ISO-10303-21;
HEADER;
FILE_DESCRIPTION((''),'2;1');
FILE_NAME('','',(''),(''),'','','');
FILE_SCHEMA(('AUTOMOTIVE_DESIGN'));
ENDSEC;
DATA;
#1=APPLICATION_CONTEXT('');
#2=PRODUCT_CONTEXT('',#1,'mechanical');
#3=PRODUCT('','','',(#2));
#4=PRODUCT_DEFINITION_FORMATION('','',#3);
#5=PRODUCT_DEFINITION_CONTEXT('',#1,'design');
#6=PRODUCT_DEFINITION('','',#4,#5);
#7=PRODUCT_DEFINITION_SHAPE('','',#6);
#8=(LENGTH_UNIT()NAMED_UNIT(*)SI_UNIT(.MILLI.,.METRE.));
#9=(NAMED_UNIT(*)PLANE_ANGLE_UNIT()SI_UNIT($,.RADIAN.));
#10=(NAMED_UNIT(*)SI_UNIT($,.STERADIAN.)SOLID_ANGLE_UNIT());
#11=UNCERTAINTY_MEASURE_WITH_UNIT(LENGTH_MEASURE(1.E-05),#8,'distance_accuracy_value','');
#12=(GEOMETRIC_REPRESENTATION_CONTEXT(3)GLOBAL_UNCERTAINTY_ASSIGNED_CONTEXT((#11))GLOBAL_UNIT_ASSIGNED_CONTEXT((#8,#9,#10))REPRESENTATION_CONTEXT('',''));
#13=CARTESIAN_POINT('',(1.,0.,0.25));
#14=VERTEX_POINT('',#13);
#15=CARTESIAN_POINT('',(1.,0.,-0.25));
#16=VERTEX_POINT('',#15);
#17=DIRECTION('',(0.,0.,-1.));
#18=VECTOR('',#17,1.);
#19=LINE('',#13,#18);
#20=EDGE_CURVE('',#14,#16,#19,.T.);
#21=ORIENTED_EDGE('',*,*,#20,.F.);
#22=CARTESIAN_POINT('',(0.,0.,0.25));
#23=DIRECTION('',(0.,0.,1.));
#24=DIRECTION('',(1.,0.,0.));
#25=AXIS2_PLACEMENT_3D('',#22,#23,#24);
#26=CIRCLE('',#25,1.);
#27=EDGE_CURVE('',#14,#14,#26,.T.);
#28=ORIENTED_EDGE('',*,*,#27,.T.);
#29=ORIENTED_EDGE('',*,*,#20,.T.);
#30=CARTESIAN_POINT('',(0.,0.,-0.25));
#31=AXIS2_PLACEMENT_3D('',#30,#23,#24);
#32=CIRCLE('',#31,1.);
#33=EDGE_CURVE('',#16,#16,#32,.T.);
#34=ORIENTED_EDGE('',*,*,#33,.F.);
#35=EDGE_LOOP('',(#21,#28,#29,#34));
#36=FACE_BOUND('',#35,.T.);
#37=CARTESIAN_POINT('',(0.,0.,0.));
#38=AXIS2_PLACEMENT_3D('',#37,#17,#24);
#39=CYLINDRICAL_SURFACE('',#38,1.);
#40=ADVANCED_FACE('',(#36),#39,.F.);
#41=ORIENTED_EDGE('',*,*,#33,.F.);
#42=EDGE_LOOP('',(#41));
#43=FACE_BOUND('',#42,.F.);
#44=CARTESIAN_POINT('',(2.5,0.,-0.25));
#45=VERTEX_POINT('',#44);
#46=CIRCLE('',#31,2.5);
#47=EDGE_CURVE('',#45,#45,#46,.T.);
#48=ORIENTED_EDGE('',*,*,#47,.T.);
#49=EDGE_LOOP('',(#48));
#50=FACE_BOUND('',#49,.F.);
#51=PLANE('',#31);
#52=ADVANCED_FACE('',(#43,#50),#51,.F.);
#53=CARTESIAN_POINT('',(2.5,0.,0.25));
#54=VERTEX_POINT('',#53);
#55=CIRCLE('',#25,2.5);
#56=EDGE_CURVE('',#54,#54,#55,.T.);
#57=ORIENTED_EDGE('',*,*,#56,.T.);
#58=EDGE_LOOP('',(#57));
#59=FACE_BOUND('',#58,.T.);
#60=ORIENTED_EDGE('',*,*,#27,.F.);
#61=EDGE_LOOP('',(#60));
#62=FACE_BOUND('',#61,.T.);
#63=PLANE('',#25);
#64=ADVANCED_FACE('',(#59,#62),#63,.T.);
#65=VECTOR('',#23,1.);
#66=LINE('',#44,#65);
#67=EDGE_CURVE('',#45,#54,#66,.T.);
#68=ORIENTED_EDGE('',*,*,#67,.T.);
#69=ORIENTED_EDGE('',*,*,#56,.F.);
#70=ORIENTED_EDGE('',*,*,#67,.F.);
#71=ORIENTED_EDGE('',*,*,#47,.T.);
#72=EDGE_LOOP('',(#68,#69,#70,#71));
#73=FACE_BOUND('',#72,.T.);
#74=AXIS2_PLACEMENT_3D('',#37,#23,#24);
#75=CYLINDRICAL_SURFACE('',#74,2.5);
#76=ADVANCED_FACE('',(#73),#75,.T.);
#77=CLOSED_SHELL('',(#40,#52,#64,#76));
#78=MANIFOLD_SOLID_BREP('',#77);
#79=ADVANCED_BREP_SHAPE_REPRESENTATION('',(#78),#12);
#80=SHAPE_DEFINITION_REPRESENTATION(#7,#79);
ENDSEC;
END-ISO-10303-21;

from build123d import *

# Parameters (mm, degrees)
SKETCH_1_R      = 2.5
SKETCH_1_R_2    = 1
EXTRUDE_1_DEPTH = 0.25


with BuildPart() as part:
    # 草图1 → 凸台-拉伸1 (new body, symmetric)
    with BuildSketch(Plane.XY):
        Circle(SKETCH_1_R)
        Circle(SKETCH_1_R_2, mode=Mode.SUBTRACT)
    extrude(amount=EXTRUDE_1_DEPTH, both=True)


solid = part.part
